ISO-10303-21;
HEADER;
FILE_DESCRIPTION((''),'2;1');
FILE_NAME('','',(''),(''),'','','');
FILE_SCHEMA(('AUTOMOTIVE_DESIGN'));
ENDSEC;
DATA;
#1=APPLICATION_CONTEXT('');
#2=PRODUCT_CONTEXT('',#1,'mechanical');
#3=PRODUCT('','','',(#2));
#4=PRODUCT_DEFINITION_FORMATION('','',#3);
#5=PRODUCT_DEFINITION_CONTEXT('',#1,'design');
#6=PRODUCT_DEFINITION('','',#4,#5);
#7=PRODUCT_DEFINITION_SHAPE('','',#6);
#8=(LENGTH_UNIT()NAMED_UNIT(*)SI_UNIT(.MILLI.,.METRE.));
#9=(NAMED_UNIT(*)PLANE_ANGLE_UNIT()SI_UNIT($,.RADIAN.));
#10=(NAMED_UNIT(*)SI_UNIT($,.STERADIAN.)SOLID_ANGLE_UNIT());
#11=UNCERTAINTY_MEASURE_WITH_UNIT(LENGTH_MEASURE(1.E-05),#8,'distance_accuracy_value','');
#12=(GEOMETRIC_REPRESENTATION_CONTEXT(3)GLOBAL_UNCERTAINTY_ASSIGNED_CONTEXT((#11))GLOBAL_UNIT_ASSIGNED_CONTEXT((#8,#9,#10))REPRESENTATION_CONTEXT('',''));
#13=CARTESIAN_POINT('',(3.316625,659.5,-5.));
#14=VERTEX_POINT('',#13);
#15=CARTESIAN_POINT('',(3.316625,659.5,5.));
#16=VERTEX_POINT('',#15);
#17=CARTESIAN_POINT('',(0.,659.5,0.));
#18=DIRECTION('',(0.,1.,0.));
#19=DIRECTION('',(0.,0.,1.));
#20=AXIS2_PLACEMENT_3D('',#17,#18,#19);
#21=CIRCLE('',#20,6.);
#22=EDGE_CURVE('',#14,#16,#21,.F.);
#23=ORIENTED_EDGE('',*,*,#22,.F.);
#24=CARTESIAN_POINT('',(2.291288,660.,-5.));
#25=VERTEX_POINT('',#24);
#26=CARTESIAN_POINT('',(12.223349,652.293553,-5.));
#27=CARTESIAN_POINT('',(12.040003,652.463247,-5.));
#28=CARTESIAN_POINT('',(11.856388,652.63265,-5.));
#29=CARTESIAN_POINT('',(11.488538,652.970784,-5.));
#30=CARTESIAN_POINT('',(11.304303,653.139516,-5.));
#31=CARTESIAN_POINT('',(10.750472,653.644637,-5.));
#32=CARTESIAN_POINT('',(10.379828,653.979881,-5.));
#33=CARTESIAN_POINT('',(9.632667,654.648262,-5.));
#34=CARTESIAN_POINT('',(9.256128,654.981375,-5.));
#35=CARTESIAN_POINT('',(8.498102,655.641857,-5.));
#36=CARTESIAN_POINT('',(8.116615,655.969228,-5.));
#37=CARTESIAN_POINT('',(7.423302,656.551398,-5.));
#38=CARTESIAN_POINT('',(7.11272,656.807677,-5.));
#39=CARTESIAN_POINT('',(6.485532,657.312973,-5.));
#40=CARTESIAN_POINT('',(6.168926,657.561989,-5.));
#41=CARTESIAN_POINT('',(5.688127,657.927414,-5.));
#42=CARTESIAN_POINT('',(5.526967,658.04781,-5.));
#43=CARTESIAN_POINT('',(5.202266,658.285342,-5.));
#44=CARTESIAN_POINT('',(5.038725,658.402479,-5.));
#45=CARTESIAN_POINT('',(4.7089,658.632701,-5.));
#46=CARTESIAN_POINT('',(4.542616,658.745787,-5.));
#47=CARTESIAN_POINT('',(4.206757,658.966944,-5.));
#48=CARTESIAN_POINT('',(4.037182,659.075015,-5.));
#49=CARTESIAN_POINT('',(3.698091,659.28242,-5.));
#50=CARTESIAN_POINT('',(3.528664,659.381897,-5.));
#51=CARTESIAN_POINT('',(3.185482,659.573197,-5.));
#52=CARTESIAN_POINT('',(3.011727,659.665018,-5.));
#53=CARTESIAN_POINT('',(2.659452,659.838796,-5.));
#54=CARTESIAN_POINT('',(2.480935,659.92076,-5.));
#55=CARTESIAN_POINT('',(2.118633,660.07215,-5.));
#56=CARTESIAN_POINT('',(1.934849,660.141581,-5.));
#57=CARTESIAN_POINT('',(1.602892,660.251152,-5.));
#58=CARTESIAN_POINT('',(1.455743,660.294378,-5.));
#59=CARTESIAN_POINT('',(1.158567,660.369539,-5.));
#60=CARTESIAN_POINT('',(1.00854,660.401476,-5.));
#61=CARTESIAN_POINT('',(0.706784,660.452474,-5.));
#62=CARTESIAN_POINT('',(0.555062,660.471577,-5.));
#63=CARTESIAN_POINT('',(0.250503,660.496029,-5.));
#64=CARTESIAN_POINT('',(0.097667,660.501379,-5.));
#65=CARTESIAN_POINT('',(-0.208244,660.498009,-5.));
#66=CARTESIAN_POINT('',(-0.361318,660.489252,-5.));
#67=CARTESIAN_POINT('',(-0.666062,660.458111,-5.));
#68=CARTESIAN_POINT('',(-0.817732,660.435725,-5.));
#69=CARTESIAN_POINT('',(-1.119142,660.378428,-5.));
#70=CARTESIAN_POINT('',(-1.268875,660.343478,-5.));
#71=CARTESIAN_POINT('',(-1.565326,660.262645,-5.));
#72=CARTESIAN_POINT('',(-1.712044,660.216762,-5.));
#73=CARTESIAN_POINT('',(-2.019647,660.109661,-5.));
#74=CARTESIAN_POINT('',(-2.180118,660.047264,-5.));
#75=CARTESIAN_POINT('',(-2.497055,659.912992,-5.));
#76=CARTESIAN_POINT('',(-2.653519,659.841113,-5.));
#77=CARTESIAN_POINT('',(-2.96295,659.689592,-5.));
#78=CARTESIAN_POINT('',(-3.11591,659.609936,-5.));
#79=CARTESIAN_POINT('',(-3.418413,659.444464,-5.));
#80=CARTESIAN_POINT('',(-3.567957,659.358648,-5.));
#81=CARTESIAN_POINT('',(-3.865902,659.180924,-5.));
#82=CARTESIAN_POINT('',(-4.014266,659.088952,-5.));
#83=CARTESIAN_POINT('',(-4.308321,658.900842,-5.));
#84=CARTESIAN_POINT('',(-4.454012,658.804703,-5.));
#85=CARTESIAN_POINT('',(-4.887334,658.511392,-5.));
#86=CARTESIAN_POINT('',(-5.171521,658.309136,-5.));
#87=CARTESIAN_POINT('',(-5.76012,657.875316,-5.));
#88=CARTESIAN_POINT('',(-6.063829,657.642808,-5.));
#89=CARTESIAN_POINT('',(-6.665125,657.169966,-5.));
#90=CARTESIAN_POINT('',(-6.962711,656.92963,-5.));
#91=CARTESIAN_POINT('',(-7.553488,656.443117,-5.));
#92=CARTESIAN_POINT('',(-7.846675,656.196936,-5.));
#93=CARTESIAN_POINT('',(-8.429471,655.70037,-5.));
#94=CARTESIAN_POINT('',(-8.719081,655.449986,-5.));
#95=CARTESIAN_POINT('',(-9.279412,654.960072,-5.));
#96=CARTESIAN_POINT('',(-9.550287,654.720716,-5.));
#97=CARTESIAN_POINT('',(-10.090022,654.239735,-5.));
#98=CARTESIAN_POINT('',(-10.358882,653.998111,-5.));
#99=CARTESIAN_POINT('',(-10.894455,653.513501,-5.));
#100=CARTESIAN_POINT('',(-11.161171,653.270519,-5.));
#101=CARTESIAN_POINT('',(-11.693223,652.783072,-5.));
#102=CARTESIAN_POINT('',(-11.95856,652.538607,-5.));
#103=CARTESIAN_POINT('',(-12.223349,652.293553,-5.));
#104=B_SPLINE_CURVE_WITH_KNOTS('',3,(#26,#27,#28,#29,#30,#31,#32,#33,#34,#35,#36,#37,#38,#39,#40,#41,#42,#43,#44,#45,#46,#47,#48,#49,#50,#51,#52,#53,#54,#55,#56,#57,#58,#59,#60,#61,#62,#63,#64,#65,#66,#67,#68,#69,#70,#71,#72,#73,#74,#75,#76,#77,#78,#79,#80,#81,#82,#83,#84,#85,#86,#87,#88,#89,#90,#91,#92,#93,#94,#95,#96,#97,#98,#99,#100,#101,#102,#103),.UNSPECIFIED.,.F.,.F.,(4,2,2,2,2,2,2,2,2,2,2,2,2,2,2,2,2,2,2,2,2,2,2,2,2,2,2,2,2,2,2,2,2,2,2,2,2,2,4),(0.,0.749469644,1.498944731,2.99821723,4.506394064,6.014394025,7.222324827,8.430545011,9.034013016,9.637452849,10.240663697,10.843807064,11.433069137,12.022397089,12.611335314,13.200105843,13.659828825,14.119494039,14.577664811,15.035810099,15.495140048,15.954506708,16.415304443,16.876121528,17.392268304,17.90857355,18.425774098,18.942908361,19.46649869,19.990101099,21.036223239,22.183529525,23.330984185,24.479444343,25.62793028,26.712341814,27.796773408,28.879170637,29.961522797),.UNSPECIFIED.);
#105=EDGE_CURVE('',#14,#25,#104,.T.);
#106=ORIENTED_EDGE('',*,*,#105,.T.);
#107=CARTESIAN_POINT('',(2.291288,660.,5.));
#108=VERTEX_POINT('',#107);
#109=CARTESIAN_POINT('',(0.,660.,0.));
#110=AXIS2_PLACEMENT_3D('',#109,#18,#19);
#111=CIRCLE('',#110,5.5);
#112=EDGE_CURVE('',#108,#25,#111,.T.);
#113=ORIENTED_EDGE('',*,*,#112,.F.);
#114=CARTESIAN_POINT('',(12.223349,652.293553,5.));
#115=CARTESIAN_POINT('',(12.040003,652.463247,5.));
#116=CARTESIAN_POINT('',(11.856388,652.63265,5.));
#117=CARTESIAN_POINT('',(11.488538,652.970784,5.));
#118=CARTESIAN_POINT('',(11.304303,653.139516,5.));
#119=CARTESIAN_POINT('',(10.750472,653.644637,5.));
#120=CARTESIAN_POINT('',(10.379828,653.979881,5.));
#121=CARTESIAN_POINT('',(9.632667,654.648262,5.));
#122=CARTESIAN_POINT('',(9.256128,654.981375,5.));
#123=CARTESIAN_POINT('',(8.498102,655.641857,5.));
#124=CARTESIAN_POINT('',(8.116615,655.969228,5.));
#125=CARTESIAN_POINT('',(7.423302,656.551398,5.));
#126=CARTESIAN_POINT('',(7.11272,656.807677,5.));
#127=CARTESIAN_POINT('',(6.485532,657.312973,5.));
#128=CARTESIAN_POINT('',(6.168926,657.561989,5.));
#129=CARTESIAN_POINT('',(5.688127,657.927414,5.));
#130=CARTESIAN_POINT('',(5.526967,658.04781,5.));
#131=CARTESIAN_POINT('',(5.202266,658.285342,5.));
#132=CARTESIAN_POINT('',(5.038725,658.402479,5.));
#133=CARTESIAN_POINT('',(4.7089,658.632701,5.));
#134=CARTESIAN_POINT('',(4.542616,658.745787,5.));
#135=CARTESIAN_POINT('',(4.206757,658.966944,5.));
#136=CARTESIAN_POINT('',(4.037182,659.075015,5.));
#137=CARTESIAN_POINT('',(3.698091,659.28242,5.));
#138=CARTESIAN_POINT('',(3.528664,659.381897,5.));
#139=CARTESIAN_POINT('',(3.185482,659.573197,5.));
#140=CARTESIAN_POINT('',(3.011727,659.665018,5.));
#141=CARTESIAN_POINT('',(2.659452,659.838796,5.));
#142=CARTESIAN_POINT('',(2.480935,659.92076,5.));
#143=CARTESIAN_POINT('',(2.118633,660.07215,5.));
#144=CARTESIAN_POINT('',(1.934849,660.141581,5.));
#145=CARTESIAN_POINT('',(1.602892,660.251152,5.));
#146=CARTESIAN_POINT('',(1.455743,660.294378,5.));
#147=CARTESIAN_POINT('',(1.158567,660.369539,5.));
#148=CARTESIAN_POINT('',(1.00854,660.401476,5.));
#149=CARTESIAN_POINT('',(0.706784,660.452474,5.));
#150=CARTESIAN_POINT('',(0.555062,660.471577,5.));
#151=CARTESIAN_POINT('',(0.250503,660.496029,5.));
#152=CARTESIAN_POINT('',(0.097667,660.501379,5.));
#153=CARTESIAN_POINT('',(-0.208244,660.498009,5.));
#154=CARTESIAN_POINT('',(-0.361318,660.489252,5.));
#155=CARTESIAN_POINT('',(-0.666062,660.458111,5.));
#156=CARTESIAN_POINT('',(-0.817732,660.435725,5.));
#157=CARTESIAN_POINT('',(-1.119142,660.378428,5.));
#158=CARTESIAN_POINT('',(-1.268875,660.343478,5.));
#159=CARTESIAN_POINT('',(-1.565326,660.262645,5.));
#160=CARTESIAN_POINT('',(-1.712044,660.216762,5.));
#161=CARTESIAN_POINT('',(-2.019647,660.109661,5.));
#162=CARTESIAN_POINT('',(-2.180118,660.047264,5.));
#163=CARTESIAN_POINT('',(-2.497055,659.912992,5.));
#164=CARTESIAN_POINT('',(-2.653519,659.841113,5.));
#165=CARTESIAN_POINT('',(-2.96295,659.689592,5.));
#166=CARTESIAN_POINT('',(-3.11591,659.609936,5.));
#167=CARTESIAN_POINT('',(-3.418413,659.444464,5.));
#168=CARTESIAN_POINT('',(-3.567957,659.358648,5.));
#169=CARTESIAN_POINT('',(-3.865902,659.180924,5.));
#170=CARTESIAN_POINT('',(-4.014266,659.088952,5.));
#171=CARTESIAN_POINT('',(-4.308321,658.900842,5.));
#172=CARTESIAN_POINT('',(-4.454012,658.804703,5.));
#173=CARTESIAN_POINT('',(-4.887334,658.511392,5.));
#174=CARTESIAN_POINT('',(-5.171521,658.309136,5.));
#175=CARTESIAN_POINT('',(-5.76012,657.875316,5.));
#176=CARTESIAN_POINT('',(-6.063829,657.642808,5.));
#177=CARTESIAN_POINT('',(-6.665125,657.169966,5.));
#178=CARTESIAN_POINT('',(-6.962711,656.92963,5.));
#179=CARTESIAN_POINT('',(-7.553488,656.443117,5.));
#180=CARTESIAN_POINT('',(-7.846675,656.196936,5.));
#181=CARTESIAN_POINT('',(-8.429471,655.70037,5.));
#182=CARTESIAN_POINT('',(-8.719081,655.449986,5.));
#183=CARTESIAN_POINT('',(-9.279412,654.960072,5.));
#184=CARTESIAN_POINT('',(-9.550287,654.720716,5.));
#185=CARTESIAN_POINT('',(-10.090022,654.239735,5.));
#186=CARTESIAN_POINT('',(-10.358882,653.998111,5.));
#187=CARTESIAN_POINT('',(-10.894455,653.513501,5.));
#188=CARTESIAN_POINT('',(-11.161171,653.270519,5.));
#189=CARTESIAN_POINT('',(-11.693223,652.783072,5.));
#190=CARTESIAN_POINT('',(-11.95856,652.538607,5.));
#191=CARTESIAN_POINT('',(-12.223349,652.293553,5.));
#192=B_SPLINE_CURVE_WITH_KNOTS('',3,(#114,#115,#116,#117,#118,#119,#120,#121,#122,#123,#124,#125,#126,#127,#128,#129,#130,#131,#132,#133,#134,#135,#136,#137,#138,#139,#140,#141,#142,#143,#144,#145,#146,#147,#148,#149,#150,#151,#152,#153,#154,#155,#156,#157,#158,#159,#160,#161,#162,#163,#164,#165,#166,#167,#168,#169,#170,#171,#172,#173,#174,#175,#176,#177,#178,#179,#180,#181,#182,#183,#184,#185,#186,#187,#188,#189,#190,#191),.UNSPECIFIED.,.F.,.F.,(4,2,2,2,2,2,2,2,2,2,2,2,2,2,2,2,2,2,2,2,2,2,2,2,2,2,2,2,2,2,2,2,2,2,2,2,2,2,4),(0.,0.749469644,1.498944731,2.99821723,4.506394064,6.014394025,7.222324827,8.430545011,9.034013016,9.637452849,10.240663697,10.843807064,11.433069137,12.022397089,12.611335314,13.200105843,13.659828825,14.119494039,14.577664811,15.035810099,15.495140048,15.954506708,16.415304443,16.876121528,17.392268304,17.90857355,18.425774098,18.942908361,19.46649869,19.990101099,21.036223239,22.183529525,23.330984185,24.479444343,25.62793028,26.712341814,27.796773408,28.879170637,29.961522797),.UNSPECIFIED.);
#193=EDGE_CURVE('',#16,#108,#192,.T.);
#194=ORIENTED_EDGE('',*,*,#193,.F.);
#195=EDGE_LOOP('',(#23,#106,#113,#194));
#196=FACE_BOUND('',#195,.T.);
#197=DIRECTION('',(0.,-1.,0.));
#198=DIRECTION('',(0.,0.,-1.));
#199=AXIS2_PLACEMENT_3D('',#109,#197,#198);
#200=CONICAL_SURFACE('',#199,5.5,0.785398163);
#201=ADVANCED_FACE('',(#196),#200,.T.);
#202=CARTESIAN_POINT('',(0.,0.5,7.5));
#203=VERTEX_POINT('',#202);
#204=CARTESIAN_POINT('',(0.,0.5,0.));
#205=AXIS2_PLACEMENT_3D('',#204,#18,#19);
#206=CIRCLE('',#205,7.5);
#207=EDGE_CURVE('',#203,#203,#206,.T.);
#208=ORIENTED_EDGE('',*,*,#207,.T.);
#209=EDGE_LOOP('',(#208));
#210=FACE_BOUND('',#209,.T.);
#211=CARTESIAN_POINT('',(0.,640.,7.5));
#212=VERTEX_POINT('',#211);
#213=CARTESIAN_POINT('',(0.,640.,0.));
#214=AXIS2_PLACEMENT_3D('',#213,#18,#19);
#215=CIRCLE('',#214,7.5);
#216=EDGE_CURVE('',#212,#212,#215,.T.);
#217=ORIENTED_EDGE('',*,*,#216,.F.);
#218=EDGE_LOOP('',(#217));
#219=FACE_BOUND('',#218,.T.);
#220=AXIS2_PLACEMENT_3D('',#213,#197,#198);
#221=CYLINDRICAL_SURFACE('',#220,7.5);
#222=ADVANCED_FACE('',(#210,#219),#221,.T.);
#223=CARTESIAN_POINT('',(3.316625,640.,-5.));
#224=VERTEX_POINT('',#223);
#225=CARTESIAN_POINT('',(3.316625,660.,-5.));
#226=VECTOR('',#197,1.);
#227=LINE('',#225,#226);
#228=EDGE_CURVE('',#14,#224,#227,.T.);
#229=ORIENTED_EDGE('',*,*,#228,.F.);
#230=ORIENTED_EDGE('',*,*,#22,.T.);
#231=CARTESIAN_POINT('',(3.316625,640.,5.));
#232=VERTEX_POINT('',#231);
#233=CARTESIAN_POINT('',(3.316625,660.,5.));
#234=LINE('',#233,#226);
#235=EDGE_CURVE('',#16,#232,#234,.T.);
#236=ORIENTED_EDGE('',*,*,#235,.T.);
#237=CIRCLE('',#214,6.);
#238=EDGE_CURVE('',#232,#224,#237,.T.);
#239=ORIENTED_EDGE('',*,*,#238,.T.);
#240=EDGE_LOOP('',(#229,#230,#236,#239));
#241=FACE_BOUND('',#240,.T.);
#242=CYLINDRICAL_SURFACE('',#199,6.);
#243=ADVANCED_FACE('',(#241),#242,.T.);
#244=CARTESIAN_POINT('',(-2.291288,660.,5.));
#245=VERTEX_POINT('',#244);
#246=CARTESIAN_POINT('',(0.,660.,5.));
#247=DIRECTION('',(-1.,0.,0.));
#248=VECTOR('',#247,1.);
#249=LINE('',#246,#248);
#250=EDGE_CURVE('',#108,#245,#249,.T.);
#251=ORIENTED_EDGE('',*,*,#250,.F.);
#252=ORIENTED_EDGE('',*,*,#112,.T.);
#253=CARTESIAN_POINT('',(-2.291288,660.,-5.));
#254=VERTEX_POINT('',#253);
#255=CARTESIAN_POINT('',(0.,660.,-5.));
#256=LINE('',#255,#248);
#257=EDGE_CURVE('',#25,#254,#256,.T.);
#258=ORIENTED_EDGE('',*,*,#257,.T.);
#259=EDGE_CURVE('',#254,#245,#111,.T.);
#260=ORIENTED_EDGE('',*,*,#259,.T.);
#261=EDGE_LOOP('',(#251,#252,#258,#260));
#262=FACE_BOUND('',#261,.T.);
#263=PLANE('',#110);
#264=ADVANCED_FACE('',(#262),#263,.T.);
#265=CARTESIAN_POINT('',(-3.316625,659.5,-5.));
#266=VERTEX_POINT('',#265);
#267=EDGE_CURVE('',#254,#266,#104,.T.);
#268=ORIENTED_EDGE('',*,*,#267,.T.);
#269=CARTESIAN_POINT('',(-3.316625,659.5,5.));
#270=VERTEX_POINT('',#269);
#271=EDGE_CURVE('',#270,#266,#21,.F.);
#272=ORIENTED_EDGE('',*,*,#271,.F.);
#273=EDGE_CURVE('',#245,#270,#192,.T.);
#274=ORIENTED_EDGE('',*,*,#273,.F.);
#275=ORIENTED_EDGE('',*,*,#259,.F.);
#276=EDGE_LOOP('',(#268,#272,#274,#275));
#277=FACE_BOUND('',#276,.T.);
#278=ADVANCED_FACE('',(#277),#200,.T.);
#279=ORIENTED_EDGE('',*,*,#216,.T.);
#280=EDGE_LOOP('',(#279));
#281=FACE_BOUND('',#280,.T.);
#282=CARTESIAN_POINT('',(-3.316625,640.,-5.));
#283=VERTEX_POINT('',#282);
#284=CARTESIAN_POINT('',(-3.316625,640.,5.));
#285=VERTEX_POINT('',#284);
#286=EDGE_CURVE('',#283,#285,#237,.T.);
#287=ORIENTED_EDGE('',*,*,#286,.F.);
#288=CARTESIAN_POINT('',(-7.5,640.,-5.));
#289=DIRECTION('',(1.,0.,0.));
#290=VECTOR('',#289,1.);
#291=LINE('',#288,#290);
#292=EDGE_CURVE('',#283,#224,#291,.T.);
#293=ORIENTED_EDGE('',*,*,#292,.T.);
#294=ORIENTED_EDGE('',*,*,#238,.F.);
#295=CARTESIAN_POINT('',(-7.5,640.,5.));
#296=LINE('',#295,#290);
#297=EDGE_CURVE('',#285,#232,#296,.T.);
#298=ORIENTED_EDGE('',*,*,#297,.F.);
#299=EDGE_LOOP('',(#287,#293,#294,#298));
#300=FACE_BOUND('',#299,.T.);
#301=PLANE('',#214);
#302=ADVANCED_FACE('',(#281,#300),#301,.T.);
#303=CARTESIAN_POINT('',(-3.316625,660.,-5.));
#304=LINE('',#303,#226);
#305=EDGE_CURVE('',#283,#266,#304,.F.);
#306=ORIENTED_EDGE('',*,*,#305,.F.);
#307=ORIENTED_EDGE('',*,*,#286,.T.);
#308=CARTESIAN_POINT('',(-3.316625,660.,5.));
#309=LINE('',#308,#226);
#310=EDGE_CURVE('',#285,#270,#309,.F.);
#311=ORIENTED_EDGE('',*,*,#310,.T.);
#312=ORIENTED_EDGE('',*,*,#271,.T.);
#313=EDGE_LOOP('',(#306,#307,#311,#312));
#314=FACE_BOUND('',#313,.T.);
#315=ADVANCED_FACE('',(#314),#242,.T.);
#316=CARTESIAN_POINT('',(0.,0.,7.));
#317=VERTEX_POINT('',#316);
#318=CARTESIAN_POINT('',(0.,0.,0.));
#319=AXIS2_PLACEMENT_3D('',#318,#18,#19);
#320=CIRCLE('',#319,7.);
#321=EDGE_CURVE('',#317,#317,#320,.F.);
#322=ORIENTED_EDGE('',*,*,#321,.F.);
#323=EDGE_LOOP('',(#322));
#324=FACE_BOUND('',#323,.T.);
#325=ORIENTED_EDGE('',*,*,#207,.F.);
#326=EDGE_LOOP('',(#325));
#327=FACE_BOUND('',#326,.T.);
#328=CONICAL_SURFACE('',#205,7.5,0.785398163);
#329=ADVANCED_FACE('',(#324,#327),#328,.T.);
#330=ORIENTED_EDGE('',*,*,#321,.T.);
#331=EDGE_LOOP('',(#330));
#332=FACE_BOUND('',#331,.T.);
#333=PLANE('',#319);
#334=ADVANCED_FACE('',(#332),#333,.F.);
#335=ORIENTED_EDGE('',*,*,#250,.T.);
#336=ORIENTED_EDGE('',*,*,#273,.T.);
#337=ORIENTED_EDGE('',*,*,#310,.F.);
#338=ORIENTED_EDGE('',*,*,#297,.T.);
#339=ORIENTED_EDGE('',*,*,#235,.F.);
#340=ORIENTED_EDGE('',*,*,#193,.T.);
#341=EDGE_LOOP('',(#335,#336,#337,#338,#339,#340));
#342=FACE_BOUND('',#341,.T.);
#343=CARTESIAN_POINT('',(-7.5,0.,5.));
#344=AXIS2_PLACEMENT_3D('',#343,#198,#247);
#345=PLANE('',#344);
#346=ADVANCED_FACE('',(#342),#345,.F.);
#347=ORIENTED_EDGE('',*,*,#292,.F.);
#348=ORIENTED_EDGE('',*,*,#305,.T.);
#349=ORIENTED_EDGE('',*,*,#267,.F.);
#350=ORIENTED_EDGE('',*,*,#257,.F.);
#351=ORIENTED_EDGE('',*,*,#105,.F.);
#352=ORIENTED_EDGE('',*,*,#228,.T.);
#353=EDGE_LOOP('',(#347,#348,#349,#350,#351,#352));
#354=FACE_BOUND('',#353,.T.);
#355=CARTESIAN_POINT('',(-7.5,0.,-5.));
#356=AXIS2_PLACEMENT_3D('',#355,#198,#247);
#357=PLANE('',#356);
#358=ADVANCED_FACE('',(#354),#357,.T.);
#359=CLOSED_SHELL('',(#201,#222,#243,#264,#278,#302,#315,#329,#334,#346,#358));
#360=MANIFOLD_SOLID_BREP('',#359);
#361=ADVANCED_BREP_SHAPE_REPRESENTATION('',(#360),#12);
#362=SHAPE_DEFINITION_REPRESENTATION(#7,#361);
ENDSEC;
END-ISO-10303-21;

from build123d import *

# Parameters (mm, degrees)
SKETCH1_R               = 7.5
BOSS_EXTRUDE1_DEPTH     = 640
SKETCH2_R               = 6
BOSS_EXTRUDE2_DEPTH     = 20
CHAMFER1_SIZE           = 0.5
CHAMFER2_SIZE           = 0.5
CUT_EXTRUDE1_DEPTH      = 8.5
CUT_EXTRUDE1_DEPTH_BACK = 8.5


with BuildPart() as part:
    # Sketch1 → Boss-Extrude1 (new body)
    with BuildSketch(Plane(origin=(0, 0, 0), x_dir=(1, 0, 0), z_dir=(0, 1, 0))):
        Circle(SKETCH1_R)
    extrude(amount=BOSS_EXTRUDE1_DEPTH)

    # Sketch2 → Boss-Extrude2 (add)
    with BuildSketch(Plane(origin=(0, 640, 0), x_dir=(1, 0, 0), z_dir=(0, 1, 0))):
        Circle(SKETCH2_R)
    extrude(amount=BOSS_EXTRUDE2_DEPTH)

    # Chamfer1
    chamfer1_edges = [part.edges().sort_by_distance(p)[0] for p in [
        (-6, 660, 0),
    ]]
    chamfer(chamfer1_edges, length=CHAMFER1_SIZE)

    # Chamfer2
    chamfer2_edges = [part.edges().sort_by_distance(p)[0] for p in [
        (-7.5, 0, 0),
    ]]
    chamfer(chamfer2_edges, length=CHAMFER2_SIZE)

    # Sketch3 → Cut-Extrude1 (cut, two sides)
    with BuildSketch(Plane(origin=(0, 0, 0), x_dir=(0, 0, -1), z_dir=(1, 0, 0))) as cut_extrude1_sk:
        Polygon((11.720103358, 640), (5, 640), (5, 665.518180004), (13.892257978, 665.518180004), (13.892257978, 640), align=None)
        Polygon((-13.892257978, 640), (-11.720103358, 640), (-5, 640), (-5, 665.518180004), (-13.892257978, 665.518180004), align=None)
    extrude(amount=CUT_EXTRUDE1_DEPTH, mode=Mode.SUBTRACT)
    extrude(cut_extrude1_sk.sketch, amount=-CUT_EXTRUDE1_DEPTH_BACK, mode=Mode.SUBTRACT)


solid = part.part
